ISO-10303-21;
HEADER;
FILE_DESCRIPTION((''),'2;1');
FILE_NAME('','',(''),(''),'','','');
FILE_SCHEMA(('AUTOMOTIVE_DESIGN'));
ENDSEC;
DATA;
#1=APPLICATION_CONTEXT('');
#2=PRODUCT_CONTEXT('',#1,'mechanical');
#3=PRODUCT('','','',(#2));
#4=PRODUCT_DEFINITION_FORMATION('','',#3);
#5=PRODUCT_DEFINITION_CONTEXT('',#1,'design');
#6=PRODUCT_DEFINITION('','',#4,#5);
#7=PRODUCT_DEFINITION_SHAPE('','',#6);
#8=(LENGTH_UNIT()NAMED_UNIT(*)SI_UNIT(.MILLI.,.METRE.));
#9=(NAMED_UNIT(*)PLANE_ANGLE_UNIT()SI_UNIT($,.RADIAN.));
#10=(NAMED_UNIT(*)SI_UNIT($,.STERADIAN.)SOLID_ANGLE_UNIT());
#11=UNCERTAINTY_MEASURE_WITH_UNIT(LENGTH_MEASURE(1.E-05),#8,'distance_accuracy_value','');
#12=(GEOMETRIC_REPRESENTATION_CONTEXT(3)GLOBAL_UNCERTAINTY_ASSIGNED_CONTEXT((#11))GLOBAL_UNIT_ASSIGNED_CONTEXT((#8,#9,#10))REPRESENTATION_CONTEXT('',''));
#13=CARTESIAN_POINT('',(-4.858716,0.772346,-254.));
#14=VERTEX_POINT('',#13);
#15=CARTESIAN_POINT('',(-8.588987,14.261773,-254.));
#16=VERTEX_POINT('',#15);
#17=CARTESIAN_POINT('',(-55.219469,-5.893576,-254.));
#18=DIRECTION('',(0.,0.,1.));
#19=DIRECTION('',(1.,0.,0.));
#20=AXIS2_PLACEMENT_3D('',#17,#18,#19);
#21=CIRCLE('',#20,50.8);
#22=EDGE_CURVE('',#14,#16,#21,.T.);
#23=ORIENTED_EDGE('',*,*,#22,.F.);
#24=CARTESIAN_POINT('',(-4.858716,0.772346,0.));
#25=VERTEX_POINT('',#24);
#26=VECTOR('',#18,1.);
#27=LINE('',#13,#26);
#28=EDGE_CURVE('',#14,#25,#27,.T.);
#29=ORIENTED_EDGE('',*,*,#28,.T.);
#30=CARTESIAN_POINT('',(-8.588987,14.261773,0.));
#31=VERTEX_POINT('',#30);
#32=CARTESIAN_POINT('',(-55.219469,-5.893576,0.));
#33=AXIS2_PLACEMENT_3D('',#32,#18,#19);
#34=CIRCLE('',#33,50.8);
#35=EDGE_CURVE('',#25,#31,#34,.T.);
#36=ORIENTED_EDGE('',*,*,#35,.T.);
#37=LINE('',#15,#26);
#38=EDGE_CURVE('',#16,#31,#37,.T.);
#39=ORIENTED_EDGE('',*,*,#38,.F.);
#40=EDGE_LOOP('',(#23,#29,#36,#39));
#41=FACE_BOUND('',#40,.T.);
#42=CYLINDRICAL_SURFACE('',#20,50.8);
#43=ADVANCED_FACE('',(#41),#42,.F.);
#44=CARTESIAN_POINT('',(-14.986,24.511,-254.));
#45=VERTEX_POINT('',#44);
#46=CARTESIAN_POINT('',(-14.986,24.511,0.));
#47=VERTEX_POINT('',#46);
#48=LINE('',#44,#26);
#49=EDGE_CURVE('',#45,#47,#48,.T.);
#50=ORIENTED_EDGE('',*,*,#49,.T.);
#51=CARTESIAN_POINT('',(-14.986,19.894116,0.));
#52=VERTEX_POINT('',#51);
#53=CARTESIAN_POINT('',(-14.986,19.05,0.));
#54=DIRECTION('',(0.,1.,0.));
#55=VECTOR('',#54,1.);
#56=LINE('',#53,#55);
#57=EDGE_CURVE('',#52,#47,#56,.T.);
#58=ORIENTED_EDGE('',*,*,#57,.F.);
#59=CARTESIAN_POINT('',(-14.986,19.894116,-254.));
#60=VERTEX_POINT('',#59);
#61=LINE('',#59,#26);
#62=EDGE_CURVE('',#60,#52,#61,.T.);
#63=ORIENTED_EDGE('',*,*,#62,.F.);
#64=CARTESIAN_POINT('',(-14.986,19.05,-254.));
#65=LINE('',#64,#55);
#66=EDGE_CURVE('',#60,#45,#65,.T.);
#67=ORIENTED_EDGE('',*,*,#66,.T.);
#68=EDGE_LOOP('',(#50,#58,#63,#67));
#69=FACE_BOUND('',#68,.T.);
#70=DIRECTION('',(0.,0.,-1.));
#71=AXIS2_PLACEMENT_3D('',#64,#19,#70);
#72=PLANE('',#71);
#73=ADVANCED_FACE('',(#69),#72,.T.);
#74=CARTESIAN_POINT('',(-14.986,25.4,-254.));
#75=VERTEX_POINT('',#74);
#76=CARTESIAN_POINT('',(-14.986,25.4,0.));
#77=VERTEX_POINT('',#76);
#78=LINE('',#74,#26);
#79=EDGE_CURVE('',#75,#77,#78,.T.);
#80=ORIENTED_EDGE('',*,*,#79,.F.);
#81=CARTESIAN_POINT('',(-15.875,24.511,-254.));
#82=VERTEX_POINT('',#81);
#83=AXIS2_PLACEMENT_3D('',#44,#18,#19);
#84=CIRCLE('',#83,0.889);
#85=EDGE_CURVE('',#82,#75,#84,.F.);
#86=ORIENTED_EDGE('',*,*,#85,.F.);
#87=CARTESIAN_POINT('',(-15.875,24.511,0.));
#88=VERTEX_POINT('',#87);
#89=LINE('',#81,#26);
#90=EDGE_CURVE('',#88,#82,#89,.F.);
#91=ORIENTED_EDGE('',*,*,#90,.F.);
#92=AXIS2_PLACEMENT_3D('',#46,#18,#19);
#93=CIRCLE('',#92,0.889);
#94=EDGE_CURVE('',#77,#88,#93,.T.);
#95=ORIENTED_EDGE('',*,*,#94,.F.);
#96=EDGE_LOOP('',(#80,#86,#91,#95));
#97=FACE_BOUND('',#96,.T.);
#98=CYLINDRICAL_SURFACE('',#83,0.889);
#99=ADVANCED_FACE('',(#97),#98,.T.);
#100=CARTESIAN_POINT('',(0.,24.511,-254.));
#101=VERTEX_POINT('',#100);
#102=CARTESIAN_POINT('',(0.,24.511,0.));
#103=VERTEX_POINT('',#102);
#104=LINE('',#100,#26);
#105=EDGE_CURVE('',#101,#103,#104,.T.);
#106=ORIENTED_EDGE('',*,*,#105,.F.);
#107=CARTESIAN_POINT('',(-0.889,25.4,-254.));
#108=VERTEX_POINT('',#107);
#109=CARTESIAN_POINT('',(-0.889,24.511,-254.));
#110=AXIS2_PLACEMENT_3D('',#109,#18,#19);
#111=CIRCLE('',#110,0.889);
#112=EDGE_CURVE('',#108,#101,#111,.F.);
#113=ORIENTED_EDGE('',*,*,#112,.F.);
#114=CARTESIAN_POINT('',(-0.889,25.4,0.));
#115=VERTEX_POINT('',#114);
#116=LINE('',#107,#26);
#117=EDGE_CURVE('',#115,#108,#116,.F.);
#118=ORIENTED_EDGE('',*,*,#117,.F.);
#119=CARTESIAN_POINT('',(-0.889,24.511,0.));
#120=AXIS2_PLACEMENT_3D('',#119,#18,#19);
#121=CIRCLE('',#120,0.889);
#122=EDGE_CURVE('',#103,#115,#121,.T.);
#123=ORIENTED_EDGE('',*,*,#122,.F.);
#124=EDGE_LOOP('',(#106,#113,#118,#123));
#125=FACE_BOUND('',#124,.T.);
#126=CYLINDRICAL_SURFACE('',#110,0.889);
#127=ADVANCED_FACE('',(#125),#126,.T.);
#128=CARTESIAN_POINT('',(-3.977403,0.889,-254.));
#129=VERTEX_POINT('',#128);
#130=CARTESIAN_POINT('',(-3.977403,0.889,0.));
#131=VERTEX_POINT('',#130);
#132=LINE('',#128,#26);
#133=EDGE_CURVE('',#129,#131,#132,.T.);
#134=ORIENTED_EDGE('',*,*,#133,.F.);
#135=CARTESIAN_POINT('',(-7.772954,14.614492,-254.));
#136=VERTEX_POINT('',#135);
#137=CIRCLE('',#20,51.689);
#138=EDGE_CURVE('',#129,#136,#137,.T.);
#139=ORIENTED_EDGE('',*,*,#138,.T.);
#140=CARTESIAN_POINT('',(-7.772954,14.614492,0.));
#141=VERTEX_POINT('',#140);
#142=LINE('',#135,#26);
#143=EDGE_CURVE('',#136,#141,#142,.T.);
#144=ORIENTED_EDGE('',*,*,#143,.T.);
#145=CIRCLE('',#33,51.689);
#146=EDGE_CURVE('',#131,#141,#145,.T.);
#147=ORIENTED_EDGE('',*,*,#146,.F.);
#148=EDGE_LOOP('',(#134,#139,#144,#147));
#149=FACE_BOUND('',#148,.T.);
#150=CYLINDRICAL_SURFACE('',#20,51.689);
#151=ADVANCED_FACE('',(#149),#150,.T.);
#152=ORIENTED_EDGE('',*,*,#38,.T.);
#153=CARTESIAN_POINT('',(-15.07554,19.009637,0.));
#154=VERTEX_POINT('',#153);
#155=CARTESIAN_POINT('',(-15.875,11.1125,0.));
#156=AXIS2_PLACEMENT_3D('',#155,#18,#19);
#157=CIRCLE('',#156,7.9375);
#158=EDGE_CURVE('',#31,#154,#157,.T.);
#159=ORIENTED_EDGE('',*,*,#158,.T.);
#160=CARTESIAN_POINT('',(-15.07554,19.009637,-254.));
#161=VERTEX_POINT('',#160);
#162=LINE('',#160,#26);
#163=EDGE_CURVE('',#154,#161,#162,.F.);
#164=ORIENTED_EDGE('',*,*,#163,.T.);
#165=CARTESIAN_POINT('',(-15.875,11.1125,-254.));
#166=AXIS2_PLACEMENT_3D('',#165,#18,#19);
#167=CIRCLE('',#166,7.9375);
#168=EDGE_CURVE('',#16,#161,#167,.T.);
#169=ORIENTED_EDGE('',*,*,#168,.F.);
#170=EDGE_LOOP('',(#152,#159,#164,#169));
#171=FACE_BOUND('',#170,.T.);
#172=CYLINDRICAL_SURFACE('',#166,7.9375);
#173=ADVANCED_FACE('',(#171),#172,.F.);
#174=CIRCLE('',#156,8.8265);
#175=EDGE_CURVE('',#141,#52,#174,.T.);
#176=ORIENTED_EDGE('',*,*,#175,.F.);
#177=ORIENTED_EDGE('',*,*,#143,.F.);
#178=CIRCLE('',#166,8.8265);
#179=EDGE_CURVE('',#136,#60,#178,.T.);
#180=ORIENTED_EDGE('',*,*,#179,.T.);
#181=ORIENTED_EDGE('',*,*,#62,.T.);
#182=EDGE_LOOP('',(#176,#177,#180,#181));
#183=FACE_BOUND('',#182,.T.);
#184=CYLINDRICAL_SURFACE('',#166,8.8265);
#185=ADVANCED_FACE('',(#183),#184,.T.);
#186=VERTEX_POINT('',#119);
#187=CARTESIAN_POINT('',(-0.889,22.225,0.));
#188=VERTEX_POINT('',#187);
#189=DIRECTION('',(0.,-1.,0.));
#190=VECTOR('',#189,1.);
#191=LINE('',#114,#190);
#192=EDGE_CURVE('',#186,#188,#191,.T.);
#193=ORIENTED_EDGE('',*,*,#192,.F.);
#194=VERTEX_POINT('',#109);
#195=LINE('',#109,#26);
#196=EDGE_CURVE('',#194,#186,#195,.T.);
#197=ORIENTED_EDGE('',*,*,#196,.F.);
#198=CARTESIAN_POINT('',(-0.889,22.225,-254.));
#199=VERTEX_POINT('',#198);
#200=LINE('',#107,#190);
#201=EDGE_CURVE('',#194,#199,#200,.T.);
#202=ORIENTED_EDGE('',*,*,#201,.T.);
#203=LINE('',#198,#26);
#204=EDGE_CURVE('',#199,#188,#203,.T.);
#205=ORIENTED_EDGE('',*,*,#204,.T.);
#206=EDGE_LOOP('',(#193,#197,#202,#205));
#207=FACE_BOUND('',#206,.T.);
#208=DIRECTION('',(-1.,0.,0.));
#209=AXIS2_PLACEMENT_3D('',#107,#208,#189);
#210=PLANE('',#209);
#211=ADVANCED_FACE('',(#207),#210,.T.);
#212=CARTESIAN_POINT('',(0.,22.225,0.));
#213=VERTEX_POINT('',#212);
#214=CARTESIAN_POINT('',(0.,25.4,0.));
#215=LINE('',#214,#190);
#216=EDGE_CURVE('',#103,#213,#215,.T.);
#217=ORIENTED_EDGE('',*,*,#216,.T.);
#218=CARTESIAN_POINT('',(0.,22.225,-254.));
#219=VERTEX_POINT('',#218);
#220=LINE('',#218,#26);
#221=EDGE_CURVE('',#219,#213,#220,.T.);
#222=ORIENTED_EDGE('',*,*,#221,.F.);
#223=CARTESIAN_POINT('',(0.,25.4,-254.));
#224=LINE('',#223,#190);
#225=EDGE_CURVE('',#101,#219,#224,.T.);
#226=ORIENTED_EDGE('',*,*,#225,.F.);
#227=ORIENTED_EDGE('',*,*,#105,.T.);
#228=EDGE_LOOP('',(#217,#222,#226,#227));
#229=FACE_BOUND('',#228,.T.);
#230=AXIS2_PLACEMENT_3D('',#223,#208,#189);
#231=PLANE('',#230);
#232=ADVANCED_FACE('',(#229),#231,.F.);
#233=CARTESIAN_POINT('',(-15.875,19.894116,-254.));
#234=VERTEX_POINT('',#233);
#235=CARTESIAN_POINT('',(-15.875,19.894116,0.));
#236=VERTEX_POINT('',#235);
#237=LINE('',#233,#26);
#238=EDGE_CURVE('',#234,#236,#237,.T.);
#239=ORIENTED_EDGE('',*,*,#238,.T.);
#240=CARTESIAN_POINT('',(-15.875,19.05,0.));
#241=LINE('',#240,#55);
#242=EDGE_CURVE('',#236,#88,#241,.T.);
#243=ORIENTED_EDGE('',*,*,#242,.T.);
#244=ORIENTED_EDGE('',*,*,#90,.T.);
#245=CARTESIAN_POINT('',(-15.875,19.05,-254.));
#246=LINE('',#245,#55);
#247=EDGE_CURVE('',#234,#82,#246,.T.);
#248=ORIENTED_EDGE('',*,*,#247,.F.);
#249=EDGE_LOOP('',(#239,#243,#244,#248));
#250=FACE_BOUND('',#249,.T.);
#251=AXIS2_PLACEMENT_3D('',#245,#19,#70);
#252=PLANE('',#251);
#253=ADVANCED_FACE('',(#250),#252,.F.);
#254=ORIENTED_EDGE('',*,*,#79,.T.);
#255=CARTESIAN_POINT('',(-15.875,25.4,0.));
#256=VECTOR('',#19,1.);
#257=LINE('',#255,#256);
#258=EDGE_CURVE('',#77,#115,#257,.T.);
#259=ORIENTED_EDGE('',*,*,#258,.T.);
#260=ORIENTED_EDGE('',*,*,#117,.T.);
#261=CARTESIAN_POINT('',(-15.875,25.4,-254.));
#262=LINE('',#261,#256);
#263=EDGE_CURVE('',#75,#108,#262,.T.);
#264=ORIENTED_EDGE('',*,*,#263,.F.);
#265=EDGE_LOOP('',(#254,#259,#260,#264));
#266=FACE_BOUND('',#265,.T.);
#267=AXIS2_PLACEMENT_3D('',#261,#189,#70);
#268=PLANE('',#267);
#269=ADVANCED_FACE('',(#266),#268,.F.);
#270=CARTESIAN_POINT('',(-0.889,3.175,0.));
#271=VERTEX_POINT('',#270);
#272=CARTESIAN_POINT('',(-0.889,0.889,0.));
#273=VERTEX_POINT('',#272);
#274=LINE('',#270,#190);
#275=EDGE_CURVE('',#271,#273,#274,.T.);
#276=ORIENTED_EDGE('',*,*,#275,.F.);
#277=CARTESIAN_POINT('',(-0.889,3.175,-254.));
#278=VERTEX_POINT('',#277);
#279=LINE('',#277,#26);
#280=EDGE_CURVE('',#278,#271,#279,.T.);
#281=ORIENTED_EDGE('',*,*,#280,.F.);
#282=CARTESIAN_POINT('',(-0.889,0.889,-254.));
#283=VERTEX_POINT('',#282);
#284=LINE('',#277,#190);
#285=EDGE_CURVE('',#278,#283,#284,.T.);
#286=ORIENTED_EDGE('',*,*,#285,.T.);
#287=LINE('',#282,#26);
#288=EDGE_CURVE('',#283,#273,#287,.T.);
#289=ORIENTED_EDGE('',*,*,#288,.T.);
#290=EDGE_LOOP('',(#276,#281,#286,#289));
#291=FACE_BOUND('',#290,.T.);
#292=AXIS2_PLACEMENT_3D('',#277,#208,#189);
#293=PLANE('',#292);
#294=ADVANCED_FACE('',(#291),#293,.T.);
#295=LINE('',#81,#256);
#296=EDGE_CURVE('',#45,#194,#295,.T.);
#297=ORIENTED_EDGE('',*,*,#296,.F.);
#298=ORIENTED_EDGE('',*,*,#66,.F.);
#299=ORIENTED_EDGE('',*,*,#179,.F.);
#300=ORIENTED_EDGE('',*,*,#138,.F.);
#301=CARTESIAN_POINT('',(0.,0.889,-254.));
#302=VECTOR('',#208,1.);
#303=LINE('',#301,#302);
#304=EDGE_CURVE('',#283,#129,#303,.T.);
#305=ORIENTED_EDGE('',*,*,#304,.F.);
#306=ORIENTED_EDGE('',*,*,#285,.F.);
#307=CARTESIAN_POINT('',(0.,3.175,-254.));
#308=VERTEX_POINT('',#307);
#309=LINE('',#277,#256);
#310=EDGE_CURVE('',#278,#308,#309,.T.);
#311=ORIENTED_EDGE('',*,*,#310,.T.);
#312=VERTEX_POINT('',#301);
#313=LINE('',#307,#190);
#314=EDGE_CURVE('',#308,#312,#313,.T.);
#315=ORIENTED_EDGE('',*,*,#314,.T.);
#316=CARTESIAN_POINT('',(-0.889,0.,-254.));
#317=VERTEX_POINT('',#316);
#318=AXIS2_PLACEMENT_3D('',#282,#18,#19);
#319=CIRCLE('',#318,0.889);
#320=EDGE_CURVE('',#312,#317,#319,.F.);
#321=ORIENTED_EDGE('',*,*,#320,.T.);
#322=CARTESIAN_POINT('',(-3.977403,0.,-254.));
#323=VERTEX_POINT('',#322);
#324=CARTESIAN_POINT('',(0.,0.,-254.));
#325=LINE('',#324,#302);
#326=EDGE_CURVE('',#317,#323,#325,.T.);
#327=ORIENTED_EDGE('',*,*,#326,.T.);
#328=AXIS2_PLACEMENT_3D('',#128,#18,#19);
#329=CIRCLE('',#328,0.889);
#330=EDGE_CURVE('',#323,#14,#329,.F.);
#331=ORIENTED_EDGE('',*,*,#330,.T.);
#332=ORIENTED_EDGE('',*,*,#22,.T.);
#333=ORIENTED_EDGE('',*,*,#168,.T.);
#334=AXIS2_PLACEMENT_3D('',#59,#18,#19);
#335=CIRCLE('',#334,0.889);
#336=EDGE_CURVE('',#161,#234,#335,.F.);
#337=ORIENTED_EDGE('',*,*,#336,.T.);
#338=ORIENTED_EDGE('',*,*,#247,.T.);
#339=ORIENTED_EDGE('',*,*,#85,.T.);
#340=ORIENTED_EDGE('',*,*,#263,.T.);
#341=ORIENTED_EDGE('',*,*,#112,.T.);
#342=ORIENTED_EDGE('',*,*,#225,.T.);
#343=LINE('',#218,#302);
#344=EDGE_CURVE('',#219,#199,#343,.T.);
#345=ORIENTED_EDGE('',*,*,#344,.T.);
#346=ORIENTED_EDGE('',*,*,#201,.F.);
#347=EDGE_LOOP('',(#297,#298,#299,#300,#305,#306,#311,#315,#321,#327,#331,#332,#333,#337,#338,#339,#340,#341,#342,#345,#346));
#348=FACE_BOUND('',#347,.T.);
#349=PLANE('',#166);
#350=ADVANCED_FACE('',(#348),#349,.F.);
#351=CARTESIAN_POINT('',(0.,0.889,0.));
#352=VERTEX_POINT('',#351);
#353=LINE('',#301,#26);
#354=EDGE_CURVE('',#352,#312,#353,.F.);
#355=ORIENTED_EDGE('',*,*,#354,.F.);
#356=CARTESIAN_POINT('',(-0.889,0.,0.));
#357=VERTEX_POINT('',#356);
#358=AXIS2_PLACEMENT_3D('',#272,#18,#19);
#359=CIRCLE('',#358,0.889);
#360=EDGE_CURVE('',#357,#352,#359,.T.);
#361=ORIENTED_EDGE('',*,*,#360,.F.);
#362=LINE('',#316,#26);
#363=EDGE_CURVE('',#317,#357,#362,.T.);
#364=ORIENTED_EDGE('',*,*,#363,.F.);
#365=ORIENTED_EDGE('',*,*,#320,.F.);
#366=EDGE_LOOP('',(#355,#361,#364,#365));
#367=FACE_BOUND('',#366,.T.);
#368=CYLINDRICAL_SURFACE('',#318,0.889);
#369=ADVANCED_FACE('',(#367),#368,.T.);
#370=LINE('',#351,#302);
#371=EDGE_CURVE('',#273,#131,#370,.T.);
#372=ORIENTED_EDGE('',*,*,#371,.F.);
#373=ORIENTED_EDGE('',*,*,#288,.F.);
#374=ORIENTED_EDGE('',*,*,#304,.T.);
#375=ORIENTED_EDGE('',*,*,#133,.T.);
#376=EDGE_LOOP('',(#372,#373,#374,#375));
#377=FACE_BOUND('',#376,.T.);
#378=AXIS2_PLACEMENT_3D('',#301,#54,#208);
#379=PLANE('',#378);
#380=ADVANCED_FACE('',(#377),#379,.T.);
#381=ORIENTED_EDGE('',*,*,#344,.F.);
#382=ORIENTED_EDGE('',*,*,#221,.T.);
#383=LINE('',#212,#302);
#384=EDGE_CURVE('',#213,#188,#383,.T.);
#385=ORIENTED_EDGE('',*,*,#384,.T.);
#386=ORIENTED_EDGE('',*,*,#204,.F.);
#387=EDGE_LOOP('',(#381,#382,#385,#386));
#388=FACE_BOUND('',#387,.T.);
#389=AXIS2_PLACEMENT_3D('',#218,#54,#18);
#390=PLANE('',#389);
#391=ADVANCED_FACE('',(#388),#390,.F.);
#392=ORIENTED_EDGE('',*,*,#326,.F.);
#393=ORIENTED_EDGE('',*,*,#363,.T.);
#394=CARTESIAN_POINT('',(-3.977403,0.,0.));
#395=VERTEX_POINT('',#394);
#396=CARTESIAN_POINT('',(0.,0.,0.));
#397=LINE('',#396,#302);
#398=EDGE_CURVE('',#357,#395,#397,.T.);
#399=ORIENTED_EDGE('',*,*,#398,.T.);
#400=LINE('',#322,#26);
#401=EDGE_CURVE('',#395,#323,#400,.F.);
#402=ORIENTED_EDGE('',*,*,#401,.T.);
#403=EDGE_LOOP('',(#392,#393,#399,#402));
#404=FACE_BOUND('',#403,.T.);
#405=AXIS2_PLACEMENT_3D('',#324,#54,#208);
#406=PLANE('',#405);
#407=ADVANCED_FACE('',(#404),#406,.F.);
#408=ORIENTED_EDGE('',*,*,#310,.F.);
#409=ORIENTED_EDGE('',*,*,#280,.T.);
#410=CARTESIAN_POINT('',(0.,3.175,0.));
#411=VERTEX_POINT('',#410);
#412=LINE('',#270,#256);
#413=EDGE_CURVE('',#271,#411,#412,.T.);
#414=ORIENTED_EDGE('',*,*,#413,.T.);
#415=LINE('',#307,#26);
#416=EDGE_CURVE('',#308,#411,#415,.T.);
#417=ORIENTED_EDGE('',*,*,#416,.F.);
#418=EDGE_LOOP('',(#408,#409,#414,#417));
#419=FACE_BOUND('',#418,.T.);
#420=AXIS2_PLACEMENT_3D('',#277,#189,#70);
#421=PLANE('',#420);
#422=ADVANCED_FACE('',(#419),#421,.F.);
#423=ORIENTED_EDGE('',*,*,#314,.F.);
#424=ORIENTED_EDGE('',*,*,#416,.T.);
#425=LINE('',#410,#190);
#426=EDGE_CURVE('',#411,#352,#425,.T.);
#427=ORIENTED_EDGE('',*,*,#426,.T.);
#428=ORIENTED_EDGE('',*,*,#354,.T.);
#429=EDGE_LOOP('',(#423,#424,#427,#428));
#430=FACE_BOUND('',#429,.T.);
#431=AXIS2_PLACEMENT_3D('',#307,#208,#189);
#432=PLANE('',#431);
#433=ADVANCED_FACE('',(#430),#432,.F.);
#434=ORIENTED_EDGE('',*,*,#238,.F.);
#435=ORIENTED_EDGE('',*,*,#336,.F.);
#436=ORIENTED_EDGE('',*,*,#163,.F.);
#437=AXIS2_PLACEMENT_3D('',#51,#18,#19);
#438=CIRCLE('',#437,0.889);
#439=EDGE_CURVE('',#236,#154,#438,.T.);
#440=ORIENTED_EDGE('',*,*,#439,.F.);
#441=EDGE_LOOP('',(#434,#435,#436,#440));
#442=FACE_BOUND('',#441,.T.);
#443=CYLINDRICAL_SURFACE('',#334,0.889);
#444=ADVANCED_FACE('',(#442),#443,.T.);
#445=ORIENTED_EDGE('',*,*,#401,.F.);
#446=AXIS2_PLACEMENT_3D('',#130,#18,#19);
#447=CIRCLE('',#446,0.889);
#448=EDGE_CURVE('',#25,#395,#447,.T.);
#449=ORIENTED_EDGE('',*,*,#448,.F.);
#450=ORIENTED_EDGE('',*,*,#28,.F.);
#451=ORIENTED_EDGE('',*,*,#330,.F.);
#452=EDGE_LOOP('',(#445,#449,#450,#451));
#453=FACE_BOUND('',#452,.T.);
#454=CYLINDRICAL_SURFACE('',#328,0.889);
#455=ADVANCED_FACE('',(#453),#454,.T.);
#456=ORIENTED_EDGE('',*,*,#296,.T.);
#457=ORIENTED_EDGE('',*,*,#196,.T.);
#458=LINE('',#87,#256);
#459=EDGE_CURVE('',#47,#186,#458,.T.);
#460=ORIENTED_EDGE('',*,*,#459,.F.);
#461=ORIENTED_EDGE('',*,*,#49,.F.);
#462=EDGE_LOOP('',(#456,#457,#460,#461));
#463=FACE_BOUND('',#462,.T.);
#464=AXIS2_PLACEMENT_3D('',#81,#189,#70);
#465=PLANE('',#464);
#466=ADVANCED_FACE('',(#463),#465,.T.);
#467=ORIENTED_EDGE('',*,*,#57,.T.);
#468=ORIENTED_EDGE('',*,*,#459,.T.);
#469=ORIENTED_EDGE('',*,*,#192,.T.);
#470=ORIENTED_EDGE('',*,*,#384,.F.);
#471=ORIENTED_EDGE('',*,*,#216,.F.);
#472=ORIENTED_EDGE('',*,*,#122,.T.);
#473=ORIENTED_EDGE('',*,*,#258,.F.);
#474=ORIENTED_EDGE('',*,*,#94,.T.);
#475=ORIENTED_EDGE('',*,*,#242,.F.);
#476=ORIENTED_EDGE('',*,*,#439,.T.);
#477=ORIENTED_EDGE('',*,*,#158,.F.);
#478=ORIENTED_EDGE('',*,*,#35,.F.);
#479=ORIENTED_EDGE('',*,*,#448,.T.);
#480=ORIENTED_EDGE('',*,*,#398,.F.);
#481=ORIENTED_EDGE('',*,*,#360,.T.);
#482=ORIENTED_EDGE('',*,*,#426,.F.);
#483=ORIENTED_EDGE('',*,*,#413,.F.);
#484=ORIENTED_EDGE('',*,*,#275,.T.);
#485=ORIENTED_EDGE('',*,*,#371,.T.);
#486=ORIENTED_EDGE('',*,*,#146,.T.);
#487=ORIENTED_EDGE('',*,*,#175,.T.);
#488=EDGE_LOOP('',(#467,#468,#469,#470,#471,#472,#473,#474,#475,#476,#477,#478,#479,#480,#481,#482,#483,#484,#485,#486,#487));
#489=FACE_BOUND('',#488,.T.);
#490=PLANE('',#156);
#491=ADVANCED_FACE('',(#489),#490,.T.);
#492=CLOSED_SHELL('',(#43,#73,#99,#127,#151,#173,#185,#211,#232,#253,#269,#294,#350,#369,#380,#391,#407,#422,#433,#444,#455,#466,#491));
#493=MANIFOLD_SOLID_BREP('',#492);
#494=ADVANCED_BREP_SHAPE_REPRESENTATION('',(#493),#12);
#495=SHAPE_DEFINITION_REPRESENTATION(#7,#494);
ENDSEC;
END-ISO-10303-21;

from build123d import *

# Parameters (mm, degrees)
EXTRUDE_THIN1_DEPTH = 254
FILLET1_R           = 0.889


with BuildPart() as part:
    # Sketch1 → Extrude-Thin1 (new body)
    with BuildSketch(Plane.XY):
        with BuildLine():
            Line((0, 3.175), (0, 0))
            Line((0, 0), (-4.7625, 0))
            ThreePointArc((-4.7625, 0), (-6.154789008, 7.270660772), (-8.588987157, 14.261773425))
            ThreePointArc((-8.588987157, 14.261773425), (-11.515725494, 17.745797222), (-15.875, 19.05))
            Line((-15.875, 19.05), (-15.875, 25.4))
            Line((-15.875, 25.4), (0, 25.4))
            Line((0, 25.4), (0, 22.225))
            Line((0, 22.225), (-0.889, 22.225))
            Line((-0.889, 22.225), (-0.889, 24.511))
            Line((-0.889, 24.511), (-14.986, 24.511))
            Line((-14.986, 24.511), (-14.986, 19.894116096))
            ThreePointArc((-14.986, 19.894116096), (-10.661715447, 18.234912963), (-7.772953719, 14.614492048))
            ThreePointArc((-7.772953719, 14.614492048), (-5.400232677, 7.883084139), (-3.977402872, 0.889))
            Line((-3.977402872, 0.889), (-0.889, 0.889))
            Line((-0.889, 0.889), (-0.889, 3.175))
            Line((-0.889, 3.175), (0, 3.175))
        make_face()
    extrude(amount=-EXTRUDE_THIN1_DEPTH)

    # Fillet1
    fillet1_edges = [part.edges().sort_by_distance(p)[0] for p in [
        (0, 0, -127),
        (-4.7625, 0, -127),
        (-15.875, 19.05, -127),
        (-15.875, 25.4, -127),
        (0, 25.4, -127),
    ]]
    fillet(fillet1_edges, radius=FILLET1_R)


solid = part.part
